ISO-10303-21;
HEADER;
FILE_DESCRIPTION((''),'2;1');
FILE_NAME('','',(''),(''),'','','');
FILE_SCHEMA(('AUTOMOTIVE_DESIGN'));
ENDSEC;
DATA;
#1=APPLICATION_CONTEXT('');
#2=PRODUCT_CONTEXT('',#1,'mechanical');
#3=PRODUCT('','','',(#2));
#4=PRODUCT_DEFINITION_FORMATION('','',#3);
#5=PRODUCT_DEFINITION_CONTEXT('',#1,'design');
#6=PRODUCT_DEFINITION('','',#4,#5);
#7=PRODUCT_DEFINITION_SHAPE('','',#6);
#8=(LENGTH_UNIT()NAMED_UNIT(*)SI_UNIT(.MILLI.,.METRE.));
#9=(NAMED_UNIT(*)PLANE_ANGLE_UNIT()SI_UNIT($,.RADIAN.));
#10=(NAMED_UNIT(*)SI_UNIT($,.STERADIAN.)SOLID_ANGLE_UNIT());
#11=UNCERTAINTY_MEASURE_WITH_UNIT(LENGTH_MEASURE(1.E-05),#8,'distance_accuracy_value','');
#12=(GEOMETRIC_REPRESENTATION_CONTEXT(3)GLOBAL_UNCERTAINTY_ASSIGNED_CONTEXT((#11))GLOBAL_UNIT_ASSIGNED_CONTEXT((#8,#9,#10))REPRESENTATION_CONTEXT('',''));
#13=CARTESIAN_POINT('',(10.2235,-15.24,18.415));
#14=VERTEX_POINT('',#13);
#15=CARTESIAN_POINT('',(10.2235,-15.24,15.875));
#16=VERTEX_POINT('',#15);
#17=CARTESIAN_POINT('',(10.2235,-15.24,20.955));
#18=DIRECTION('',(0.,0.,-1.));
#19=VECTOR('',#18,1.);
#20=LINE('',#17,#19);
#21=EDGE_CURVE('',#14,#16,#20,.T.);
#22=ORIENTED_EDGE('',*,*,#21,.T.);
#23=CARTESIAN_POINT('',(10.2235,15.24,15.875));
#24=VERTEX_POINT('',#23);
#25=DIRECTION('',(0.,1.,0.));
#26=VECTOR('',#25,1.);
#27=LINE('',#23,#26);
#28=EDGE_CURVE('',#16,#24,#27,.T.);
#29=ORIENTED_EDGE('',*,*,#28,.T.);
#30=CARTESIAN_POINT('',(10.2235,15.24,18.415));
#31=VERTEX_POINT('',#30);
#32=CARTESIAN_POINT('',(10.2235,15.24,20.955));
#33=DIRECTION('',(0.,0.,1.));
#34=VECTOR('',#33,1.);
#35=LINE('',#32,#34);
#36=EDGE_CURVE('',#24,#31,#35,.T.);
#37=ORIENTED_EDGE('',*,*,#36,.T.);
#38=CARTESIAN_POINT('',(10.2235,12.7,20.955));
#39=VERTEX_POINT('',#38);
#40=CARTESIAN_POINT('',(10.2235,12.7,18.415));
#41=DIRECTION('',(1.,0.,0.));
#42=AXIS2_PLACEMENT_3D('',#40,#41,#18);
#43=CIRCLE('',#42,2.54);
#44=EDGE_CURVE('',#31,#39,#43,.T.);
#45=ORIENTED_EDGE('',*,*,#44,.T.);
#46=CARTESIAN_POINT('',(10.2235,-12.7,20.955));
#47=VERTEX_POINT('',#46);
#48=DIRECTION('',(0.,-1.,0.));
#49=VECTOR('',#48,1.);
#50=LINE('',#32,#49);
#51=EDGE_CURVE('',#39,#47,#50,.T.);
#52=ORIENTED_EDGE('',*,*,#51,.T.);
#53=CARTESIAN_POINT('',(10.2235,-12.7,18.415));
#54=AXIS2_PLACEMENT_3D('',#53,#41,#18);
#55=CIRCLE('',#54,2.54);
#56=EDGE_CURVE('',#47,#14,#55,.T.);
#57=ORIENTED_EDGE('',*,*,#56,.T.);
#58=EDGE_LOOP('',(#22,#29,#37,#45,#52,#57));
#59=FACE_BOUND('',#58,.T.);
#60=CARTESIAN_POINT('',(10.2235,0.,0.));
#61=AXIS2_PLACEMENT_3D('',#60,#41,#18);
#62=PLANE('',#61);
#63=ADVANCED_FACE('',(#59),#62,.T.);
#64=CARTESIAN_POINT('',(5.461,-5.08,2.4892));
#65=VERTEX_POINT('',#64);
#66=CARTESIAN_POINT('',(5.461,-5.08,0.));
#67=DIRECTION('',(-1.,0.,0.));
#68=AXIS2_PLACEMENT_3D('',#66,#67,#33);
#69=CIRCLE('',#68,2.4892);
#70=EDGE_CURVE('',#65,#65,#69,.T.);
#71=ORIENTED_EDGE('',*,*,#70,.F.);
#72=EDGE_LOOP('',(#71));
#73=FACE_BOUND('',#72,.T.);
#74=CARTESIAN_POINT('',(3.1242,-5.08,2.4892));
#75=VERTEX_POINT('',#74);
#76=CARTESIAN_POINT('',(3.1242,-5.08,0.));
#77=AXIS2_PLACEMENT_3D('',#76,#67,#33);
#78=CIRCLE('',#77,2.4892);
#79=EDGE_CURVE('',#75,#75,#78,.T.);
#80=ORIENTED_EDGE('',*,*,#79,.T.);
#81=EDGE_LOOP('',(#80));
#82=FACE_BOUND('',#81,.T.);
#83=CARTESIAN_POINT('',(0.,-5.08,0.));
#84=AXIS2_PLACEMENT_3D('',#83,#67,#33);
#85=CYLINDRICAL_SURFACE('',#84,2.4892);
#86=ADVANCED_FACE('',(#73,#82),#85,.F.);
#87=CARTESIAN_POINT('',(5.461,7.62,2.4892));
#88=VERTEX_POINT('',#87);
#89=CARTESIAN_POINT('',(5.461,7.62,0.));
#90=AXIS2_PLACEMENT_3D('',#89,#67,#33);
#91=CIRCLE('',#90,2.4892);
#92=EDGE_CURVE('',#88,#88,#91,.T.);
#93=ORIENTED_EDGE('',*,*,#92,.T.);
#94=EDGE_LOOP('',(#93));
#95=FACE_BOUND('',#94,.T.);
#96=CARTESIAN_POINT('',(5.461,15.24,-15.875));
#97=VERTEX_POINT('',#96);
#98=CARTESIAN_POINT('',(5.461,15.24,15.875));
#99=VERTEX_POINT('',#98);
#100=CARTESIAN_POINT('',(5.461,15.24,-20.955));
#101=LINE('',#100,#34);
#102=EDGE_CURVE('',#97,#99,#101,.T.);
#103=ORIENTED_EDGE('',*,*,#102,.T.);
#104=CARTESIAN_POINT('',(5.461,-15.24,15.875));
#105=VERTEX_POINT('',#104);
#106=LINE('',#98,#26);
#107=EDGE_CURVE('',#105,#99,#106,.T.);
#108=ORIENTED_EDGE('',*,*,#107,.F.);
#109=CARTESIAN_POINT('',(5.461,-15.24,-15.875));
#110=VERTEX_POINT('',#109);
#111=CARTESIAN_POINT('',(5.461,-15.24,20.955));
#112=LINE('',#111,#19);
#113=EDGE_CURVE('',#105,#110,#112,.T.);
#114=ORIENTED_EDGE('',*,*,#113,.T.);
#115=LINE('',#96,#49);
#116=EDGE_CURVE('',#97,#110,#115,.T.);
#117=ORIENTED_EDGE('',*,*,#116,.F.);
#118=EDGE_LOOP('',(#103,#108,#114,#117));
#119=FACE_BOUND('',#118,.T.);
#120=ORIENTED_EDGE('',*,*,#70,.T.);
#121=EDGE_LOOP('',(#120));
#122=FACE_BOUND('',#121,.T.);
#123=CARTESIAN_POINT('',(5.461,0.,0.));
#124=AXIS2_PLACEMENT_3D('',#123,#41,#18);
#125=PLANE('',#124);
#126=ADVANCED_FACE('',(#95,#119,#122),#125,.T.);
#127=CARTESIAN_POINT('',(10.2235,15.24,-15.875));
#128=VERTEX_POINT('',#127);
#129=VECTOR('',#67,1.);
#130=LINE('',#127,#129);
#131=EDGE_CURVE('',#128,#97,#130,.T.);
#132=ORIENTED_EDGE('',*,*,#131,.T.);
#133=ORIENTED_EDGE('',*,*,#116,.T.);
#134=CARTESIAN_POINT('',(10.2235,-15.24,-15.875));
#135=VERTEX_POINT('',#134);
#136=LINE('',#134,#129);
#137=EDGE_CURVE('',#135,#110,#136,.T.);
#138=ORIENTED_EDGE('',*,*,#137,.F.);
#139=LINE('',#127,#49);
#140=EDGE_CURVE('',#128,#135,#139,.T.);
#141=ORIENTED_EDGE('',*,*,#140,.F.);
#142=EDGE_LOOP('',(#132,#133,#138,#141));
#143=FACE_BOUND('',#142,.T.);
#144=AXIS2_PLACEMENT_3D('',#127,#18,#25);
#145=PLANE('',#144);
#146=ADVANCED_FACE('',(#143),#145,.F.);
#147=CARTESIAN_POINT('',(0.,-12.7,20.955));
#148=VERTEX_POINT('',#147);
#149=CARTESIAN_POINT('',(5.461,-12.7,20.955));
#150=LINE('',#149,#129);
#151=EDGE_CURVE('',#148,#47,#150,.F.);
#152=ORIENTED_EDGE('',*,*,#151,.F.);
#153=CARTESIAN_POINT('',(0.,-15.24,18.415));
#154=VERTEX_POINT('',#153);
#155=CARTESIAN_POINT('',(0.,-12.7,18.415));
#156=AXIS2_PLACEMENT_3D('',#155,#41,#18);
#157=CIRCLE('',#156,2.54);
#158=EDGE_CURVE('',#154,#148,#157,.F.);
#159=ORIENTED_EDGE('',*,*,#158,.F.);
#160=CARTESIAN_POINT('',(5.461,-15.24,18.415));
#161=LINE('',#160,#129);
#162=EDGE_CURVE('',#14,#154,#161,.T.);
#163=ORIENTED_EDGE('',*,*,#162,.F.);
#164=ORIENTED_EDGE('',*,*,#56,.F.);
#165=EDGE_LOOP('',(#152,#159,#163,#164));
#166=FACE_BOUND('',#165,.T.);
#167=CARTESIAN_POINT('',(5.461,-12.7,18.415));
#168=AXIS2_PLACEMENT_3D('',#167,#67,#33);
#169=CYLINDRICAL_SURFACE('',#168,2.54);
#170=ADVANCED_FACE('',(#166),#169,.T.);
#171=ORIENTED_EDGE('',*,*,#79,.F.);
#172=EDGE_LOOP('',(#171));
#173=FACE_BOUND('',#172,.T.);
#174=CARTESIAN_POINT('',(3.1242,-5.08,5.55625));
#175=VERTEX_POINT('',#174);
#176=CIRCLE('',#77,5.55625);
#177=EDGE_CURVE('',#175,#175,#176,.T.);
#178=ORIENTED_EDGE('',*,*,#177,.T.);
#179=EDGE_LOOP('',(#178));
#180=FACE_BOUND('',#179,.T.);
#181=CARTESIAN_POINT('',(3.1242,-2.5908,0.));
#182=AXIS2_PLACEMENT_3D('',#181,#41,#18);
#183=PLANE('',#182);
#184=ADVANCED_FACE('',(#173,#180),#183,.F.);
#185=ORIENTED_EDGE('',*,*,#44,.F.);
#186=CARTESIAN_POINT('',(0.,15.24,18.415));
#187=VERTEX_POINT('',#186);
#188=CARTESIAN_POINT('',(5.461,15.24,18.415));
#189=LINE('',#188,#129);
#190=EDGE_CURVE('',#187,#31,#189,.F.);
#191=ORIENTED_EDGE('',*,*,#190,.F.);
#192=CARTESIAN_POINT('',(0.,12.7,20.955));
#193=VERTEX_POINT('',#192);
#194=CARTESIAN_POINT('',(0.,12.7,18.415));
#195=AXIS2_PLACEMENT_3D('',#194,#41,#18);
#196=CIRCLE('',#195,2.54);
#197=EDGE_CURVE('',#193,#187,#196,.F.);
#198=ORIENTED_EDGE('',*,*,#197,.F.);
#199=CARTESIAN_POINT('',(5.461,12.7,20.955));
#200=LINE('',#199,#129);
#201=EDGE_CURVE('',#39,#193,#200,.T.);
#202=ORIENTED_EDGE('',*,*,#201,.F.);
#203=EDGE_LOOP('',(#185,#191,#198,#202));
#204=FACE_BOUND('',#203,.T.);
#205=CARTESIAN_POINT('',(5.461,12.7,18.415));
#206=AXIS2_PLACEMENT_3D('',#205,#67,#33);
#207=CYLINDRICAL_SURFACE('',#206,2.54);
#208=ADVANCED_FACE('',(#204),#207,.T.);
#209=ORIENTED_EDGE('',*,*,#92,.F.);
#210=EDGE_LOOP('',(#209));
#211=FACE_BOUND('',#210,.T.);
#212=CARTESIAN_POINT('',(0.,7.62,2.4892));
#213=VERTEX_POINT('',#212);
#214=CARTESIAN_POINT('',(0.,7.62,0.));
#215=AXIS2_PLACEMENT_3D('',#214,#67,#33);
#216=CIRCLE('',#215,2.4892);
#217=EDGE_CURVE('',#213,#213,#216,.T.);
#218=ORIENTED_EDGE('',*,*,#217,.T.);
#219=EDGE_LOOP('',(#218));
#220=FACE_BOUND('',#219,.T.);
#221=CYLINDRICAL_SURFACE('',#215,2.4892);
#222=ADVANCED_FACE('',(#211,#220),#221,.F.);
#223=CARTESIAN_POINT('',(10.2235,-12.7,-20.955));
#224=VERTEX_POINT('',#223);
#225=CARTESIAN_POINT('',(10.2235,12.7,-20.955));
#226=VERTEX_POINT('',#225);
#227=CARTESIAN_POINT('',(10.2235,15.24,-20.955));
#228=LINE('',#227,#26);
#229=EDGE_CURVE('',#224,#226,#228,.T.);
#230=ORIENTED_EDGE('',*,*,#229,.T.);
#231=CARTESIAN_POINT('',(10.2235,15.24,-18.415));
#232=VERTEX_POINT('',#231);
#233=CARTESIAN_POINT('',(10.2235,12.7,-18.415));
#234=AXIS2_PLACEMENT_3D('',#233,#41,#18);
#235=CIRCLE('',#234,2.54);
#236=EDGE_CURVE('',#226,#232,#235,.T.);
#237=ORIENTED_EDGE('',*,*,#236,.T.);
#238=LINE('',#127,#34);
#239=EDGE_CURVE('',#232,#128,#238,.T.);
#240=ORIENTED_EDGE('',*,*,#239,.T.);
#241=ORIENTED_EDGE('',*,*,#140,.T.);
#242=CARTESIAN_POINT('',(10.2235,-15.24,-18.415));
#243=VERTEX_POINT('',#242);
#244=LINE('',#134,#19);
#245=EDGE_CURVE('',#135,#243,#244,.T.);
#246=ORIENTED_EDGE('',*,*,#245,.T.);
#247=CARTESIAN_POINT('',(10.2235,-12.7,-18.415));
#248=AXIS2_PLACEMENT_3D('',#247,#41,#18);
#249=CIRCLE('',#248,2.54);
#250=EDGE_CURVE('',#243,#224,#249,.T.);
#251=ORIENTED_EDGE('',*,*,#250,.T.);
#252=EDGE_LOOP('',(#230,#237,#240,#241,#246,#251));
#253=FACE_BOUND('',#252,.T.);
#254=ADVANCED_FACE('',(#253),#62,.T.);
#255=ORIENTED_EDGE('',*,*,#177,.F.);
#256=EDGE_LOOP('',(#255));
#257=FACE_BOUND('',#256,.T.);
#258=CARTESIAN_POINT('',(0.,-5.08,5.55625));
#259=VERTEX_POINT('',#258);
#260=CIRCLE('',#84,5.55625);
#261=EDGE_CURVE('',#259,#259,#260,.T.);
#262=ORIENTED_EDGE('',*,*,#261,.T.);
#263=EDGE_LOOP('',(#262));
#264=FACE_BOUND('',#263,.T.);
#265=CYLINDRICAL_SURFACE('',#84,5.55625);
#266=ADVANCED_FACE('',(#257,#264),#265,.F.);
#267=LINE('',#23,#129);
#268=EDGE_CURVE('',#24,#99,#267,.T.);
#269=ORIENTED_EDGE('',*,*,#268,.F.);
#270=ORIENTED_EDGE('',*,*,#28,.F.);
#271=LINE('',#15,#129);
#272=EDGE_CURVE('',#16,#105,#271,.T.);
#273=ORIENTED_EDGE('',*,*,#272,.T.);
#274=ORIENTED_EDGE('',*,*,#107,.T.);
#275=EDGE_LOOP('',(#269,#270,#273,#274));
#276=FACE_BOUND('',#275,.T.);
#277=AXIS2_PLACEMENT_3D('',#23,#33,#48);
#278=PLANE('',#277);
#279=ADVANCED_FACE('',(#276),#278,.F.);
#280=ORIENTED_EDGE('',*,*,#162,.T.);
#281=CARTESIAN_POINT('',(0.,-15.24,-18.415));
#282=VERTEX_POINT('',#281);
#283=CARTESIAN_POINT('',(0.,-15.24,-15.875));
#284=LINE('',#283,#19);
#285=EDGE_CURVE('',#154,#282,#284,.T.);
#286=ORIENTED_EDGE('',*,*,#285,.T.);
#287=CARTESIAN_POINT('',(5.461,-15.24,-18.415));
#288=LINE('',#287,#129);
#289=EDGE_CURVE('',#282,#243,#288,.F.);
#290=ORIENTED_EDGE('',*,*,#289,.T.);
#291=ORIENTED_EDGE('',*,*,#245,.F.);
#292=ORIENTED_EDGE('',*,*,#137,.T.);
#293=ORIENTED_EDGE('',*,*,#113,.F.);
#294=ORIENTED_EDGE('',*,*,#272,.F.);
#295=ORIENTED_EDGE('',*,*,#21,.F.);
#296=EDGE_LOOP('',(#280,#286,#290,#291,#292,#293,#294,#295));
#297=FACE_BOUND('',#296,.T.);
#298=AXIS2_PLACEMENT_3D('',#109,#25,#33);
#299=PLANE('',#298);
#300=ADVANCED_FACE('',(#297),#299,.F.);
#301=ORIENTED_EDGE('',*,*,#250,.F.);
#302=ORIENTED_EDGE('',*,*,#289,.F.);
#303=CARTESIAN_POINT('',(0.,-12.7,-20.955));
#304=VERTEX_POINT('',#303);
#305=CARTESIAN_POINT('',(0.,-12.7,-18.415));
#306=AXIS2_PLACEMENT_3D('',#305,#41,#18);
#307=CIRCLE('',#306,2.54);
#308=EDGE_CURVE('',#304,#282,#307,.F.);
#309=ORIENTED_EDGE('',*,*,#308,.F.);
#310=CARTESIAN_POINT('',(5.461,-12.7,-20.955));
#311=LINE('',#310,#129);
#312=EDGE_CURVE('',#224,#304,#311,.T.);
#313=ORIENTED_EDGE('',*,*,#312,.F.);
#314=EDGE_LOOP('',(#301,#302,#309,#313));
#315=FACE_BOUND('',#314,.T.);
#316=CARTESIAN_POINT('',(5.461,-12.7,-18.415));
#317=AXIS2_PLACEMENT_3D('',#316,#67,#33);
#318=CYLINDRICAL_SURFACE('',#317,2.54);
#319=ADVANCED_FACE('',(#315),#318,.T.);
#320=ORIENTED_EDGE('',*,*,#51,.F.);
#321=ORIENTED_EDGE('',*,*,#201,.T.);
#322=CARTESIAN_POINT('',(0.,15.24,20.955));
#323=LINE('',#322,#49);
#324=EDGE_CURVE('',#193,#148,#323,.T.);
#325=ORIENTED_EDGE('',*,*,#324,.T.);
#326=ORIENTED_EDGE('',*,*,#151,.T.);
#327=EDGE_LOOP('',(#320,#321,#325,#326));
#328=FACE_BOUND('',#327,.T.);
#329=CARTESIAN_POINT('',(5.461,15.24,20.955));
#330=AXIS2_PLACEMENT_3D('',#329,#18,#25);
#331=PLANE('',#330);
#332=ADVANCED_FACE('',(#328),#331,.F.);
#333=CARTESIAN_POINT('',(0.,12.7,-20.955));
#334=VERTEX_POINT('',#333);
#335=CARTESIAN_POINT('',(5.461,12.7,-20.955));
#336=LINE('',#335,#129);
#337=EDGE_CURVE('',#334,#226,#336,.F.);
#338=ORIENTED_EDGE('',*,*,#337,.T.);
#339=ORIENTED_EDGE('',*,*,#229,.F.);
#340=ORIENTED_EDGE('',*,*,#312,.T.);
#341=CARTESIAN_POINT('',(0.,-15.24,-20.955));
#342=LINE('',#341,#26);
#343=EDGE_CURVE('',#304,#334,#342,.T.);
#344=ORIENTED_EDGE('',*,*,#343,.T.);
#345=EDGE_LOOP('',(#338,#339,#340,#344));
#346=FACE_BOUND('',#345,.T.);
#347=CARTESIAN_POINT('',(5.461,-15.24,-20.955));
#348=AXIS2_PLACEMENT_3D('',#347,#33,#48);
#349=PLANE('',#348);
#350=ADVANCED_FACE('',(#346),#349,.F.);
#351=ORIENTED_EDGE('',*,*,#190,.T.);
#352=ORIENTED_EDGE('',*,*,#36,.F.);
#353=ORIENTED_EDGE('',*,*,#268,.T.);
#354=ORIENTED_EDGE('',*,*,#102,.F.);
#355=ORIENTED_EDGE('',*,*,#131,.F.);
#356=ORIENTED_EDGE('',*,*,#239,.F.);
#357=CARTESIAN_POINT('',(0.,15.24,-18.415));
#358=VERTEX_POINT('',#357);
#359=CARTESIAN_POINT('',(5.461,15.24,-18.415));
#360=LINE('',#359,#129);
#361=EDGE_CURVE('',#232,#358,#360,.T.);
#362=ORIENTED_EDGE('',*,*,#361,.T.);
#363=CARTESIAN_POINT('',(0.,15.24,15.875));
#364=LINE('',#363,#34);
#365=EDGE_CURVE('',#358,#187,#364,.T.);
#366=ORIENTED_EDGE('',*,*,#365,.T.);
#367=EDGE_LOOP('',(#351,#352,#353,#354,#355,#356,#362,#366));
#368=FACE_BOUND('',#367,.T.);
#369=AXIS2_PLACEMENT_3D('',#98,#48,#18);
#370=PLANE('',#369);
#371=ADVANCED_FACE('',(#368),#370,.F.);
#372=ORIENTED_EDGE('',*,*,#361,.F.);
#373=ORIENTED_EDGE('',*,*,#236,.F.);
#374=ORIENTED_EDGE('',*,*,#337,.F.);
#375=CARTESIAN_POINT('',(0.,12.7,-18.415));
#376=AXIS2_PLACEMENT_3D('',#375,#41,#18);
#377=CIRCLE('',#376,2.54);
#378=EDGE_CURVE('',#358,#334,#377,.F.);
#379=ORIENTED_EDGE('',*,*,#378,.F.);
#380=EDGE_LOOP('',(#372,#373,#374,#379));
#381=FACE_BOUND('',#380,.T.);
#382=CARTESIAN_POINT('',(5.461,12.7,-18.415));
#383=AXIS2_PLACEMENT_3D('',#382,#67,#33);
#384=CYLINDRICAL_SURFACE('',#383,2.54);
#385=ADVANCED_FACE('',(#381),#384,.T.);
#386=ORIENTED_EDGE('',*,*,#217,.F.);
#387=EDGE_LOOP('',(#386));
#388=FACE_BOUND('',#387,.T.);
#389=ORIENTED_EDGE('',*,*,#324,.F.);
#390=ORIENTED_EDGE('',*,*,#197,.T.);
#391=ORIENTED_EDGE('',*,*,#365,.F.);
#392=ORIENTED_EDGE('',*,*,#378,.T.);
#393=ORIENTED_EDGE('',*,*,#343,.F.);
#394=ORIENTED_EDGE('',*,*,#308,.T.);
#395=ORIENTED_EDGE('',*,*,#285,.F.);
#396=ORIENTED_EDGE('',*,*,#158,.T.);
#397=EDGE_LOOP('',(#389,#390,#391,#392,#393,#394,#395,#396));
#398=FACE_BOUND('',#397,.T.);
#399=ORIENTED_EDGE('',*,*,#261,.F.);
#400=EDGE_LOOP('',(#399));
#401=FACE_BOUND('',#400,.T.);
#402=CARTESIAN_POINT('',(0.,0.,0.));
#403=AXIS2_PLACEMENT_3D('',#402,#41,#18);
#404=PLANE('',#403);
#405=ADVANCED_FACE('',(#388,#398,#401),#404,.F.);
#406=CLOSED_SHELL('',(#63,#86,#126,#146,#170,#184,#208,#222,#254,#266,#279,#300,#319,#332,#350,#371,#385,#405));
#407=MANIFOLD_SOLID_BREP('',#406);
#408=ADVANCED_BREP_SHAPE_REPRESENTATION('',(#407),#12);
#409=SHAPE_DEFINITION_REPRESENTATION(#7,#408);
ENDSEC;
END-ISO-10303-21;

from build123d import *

# Parameters (mm, degrees)
BOSS_EXTRUDE1_DEPTH                                 = 5.461
F_10_CLEARANCE_HOLE1_D                              = 4.9784
CBORE_FOR_10_BINDING_HEAD_MACHINE_SCREW_D           = 4.9784
CBORE_FOR_10_BINDING_HEAD_MACHINE_SCREW_CBORE_D     = 11.1125
CBORE_FOR_10_BINDING_HEAD_MACHINE_SCREW_CBORE_DEPTH = 3.1242
SKETCH10_W                                          = 5.08
SKETCH10_H                                          = 30.48
BOSS_EXTRUDE2_DEPTH                                 = 4.7625
FILLET2_R                                           = 2.54


with BuildPart() as part:
    # Sketch1 → Boss-Extrude1 (new body)
    with BuildSketch(Plane(origin=(0, 0, 0), x_dir=(0, 0, -1), z_dir=(1, 0, 0))):
        Polygon((-15.875, -15.24), (15.875, -15.24), (20.955, -15.24), (20.955, 15.24), (15.875, 15.24), (-15.875, 15.24), (-20.955, 15.24), (-20.955, -15.24), align=None)
    extrude(amount=BOSS_EXTRUDE1_DEPTH)

    # #10 Clearance Hole1 (through all)
    with Locations(Plane.ZY):
        with Locations((0, 7.62)):
            Hole(F_10_CLEARANCE_HOLE1_D / 2)

    # CBORE for #10 Binding Head Machine Screw1 (through all)
    with Locations(Plane.ZY):
        with Locations((0, -5.08)):
            CounterBoreHole(CBORE_FOR_10_BINDING_HEAD_MACHINE_SCREW_D / 2, CBORE_FOR_10_BINDING_HEAD_MACHINE_SCREW_CBORE_D / 2, CBORE_FOR_10_BINDING_HEAD_MACHINE_SCREW_CBORE_DEPTH)

    # Sketch10 → Boss-Extrude2 (add)
    with BuildSketch(Plane(origin=(5.461, 0, 0), x_dir=(0, 0, -1), z_dir=(1, 0, 0))):
        with Locations((-18.415, 0)):
            Rectangle(SKETCH10_W, SKETCH10_H)
        with Locations((18.415, 0)):
            Rectangle(SKETCH10_W, SKETCH10_H)
    extrude(amount=BOSS_EXTRUDE2_DEPTH)

    # Fillet2
    fillet2_edges = [part.edges().sort_by_distance(p)[0] for p in [
        (5.11175, 15.24, -20.955),
        (5.11175, -15.24, -20.955),
        (5.11175, -15.24, 20.955),
        (5.11175, 15.24, 20.955),
    ]]
    fillet(fillet2_edges, radius=FILLET2_R)


solid = part.part
